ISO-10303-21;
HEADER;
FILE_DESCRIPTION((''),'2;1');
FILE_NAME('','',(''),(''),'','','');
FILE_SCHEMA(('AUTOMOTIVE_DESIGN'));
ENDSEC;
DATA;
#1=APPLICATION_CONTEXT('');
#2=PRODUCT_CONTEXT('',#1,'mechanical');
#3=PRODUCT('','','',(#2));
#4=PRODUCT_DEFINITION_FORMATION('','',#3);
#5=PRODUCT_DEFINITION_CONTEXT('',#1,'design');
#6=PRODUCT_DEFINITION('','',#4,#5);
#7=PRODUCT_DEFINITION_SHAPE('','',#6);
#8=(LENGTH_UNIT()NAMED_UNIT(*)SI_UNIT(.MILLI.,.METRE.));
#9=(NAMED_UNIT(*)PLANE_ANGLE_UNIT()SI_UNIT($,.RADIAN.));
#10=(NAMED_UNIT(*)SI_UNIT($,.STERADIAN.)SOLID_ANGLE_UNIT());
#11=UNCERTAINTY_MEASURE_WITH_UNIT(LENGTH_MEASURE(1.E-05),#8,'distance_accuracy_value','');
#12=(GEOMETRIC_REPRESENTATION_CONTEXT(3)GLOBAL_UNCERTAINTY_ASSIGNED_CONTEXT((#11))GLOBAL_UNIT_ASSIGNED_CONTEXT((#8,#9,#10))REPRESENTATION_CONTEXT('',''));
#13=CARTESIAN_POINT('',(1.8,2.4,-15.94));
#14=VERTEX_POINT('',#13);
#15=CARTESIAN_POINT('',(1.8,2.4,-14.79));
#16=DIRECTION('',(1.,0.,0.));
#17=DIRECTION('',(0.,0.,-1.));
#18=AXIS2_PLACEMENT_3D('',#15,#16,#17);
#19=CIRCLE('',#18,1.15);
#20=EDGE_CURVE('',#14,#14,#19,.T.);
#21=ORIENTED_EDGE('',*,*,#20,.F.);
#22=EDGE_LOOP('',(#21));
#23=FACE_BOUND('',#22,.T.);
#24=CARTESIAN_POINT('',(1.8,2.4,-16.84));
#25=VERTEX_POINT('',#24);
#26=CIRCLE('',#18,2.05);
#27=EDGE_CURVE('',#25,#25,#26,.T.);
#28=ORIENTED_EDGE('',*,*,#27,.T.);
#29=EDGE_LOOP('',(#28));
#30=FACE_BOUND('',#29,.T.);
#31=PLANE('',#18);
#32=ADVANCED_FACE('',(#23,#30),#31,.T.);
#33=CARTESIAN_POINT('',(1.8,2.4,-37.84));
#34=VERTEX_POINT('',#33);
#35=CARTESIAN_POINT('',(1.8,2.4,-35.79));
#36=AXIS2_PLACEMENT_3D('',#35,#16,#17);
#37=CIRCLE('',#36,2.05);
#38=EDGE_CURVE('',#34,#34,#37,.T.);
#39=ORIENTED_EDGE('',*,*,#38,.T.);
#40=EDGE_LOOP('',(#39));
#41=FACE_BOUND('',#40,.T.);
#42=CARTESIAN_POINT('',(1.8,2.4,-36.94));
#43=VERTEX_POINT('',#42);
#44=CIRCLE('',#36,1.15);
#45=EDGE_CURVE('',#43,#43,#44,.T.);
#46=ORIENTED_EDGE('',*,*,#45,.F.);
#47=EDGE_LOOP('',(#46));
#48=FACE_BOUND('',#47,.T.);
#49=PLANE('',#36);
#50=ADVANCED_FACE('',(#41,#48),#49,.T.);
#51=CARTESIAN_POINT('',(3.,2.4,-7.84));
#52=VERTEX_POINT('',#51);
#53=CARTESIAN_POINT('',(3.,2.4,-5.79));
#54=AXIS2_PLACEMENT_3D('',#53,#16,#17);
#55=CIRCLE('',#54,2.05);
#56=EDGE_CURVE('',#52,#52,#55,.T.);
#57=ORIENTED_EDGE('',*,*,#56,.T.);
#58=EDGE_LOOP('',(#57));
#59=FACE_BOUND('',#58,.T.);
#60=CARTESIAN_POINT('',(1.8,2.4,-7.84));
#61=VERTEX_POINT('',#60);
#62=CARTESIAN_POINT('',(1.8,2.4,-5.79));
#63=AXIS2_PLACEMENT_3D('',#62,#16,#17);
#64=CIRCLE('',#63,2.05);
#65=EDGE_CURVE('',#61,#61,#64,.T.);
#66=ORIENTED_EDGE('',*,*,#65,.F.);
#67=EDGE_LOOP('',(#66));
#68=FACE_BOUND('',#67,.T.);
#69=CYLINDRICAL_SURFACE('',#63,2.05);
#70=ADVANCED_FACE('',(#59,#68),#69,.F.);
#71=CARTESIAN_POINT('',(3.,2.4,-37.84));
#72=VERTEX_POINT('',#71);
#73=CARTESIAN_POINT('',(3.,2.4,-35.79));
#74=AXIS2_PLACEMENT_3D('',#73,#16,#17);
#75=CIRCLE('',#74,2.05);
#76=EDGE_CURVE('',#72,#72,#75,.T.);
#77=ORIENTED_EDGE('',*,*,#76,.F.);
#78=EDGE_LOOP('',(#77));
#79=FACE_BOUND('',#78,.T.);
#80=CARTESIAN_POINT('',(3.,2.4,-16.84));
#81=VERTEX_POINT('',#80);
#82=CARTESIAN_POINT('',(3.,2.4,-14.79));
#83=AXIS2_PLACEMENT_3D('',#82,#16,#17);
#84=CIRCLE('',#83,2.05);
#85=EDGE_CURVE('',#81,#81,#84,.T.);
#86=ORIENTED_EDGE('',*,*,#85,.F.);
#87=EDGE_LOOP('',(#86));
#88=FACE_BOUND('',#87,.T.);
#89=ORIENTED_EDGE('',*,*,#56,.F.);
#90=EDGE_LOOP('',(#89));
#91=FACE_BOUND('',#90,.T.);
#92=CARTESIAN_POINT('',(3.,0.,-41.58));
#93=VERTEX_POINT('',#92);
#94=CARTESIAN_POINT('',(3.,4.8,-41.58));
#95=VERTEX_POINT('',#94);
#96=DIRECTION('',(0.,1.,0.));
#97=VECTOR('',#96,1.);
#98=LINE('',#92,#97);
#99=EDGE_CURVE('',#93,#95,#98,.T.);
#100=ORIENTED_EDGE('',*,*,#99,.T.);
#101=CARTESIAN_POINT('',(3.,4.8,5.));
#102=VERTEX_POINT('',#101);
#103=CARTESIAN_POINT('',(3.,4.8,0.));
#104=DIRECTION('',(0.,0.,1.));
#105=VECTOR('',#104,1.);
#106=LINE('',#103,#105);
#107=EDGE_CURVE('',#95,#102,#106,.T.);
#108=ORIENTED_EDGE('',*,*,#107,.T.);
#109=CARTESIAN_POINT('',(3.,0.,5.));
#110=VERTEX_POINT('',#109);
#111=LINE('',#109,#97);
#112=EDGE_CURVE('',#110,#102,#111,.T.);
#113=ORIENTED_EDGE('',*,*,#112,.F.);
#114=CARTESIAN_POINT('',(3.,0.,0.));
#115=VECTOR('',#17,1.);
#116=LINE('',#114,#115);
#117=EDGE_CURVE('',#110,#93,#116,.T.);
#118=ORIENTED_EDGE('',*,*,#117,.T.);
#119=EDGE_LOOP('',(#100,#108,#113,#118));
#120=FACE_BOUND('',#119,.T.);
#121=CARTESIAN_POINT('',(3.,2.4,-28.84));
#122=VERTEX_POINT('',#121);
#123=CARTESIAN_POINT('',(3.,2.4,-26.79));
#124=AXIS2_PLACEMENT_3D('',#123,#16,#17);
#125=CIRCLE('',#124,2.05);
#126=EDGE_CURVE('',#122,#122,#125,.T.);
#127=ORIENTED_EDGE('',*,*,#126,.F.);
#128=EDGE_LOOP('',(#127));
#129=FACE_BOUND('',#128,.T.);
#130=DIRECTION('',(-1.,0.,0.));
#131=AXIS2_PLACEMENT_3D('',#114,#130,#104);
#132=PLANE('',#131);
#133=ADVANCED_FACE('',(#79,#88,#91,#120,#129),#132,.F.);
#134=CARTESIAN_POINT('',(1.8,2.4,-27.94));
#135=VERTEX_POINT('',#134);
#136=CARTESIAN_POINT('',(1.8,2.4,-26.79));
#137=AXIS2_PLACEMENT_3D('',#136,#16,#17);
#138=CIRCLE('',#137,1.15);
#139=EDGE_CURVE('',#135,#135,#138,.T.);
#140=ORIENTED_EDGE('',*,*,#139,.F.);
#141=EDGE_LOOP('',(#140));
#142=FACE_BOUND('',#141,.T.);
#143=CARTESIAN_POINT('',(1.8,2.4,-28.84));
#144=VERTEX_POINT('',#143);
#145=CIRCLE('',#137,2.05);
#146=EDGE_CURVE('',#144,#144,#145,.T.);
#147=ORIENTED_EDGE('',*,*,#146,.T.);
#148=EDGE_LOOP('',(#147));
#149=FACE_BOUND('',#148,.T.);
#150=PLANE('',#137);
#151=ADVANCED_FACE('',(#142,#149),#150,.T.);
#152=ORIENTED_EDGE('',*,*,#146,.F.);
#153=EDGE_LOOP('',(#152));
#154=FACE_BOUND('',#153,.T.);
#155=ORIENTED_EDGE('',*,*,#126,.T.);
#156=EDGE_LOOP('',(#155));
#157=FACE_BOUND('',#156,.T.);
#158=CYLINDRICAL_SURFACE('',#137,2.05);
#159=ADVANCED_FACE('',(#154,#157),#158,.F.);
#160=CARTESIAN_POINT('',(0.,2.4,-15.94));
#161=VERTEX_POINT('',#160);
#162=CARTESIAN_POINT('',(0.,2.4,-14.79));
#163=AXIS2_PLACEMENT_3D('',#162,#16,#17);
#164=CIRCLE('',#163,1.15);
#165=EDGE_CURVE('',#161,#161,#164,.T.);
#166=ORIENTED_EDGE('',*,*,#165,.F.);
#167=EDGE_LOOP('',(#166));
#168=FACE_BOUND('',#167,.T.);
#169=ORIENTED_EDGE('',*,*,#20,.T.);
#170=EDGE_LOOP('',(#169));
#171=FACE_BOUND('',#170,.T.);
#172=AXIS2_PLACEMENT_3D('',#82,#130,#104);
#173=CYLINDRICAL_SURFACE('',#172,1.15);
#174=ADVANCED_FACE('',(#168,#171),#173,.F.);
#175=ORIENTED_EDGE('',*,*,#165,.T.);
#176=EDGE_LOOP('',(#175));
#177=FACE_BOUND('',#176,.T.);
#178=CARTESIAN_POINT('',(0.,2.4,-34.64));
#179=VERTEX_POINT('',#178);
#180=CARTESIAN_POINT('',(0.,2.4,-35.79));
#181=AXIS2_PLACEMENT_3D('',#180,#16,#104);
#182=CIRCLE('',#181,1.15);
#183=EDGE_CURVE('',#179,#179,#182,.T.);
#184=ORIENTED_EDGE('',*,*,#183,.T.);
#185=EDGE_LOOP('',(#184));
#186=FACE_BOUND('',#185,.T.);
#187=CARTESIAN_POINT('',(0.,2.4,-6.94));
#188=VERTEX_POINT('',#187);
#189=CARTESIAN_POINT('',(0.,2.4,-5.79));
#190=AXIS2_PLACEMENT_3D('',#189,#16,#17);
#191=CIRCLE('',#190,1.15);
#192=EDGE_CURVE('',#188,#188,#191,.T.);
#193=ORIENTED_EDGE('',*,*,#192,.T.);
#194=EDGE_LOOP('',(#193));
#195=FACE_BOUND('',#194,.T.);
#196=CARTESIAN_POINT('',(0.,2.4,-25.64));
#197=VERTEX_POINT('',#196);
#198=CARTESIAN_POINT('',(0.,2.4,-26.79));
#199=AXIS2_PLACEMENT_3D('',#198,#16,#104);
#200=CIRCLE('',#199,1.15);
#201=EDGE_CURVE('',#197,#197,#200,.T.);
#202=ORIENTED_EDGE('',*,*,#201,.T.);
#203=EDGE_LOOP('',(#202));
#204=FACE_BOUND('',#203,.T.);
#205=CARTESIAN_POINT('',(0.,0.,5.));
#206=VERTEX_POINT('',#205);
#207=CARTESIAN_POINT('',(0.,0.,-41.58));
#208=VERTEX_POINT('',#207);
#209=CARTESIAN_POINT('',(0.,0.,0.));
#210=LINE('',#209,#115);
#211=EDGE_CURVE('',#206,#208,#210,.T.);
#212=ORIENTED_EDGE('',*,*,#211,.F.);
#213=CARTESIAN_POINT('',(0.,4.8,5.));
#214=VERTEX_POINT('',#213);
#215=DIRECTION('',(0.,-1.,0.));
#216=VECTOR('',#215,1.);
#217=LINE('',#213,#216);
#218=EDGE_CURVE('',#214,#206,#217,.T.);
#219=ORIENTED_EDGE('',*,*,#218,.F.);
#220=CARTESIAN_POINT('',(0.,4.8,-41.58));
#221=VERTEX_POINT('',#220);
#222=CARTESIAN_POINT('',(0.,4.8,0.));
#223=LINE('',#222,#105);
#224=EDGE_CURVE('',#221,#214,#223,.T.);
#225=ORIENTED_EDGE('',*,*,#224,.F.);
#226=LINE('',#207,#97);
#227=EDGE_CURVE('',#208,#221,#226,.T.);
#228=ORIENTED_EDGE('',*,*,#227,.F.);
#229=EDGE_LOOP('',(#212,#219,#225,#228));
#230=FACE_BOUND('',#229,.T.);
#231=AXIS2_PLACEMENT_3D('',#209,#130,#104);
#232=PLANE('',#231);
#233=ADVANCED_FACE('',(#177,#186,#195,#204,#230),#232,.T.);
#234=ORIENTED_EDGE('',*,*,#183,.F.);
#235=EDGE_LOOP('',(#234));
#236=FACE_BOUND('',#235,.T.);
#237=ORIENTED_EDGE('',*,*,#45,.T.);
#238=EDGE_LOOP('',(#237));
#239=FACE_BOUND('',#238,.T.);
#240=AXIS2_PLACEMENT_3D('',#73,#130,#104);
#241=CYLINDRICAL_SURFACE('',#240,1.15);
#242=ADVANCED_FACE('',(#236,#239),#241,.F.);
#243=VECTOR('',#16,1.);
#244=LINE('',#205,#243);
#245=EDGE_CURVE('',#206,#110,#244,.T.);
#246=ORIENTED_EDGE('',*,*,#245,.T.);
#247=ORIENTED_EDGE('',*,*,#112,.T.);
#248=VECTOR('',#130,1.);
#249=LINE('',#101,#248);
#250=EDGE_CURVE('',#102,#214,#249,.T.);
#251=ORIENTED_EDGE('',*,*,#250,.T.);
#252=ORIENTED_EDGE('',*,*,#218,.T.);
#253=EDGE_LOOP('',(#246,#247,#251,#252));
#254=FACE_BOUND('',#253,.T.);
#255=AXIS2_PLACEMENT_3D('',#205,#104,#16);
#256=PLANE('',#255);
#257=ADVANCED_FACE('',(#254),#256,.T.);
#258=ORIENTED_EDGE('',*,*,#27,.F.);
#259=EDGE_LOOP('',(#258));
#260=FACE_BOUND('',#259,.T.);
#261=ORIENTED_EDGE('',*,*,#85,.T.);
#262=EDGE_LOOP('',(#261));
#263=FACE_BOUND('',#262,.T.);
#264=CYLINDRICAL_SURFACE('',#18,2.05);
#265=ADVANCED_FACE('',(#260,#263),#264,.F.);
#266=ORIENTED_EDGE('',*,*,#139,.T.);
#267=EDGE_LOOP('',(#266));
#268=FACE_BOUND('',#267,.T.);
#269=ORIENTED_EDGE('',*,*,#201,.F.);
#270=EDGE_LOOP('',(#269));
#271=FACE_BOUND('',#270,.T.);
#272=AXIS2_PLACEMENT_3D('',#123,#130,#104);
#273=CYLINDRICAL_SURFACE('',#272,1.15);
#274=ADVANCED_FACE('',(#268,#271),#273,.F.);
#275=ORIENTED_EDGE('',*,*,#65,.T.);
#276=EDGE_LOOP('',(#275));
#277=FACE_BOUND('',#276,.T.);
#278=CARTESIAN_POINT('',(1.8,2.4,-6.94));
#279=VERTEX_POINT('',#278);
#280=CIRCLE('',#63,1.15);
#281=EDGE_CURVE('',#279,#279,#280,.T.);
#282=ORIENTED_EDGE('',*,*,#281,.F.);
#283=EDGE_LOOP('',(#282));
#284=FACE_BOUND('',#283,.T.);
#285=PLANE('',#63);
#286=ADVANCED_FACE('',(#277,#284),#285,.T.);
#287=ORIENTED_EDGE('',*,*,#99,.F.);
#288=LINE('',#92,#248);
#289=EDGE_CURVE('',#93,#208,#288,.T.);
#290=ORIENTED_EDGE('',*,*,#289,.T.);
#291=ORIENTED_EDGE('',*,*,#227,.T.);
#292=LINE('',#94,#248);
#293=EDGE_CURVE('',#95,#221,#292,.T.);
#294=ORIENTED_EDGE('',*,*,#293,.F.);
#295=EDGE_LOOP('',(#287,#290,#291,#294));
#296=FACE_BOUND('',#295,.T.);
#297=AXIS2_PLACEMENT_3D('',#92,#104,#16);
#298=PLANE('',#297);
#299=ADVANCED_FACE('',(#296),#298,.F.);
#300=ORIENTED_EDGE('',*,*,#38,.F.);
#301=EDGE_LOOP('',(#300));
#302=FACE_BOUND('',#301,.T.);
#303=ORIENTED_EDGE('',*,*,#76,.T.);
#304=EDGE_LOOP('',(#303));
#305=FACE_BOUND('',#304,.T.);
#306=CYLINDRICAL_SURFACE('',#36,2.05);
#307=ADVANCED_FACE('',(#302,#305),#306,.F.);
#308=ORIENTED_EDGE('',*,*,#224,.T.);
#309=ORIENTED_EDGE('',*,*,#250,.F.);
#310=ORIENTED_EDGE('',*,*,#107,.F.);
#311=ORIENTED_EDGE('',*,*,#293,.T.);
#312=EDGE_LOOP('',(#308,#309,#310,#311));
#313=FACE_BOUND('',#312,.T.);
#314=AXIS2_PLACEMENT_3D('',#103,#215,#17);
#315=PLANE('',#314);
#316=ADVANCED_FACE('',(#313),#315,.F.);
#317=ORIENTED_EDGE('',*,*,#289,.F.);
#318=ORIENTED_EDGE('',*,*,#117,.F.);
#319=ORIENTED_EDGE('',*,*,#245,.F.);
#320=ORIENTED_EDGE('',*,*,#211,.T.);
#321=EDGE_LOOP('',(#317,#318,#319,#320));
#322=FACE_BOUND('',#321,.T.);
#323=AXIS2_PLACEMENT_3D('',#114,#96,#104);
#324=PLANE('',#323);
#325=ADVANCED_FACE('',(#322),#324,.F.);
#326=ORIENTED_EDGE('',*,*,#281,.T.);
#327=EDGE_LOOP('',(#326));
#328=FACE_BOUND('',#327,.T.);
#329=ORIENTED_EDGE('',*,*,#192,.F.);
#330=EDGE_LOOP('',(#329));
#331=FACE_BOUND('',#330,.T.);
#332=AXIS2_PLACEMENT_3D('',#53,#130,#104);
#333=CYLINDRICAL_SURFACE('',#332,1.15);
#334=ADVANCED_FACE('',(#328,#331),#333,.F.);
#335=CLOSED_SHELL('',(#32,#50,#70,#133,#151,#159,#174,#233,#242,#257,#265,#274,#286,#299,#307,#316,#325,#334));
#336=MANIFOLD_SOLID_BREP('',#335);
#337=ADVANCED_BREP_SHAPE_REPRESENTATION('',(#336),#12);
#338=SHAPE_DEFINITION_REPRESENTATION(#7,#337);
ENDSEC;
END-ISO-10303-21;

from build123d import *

# Parameters (mm, degrees)
SKETCH_1_W          = 41.58
SKETCH_1_H          = 4.8
SKETCH_1_R          = 1.15
EXTRUDE_1_DEPTH     = 3
SKETCH_2_R          = 2.05
CUT_EXTRUDE_1_DEPTH = 1.2
SKETCH_3_W          = 3
SKETCH_3_H          = 4.8
EXTRUDE_2_DEPTH     = 5


with BuildPart() as part:
    # 草图1 → 凸台-拉伸1 (new body)
    with BuildSketch(Plane(origin=(0, 0, 0), x_dir=(0, 0, -1), z_dir=(1, 0, 0))):
        with Locations((20.79, 2.4)):
            Rectangle(SKETCH_1_W, SKETCH_1_H)
        with Locations((14.79, 2.4)):
            Circle(SKETCH_1_R, mode=Mode.SUBTRACT)
        with Locations((5.79, 2.4)):
            Circle(SKETCH_1_R, mode=Mode.SUBTRACT)
        with Locations(Location((26.79, 2.4, 0), (0, 0, 180))):
            Circle(SKETCH_1_R, mode=Mode.SUBTRACT)
        with Locations(Location((35.79, 2.4, 0), (0, 0, 180))):
            Circle(SKETCH_1_R, mode=Mode.SUBTRACT)
    extrude(amount=EXTRUDE_1_DEPTH)

    # 草图2 → 切除-拉伸1 (cut)
    with BuildSketch(Plane(origin=(3, 0, 0), x_dir=(0, 0, -1), z_dir=(1, 0, 0))):
        with Locations((5.79, 2.4)):
            Circle(SKETCH_2_R)
        with Locations((14.79, 2.4)):
            Circle(SKETCH_2_R)
        with Locations((26.79, 2.4)):
            Circle(SKETCH_2_R)
        with Locations((35.79, 2.4)):
            Circle(SKETCH_2_R)
    extrude(amount=-CUT_EXTRUDE_1_DEPTH, mode=Mode.SUBTRACT)

    # 草图3 → 凸台-拉伸2 (add)
    with BuildSketch(Plane.XY):
        with Locations((1.5, 2.4)):
            Rectangle(SKETCH_3_W, SKETCH_3_H)
    extrude(amount=EXTRUDE_2_DEPTH)


solid = part.part
